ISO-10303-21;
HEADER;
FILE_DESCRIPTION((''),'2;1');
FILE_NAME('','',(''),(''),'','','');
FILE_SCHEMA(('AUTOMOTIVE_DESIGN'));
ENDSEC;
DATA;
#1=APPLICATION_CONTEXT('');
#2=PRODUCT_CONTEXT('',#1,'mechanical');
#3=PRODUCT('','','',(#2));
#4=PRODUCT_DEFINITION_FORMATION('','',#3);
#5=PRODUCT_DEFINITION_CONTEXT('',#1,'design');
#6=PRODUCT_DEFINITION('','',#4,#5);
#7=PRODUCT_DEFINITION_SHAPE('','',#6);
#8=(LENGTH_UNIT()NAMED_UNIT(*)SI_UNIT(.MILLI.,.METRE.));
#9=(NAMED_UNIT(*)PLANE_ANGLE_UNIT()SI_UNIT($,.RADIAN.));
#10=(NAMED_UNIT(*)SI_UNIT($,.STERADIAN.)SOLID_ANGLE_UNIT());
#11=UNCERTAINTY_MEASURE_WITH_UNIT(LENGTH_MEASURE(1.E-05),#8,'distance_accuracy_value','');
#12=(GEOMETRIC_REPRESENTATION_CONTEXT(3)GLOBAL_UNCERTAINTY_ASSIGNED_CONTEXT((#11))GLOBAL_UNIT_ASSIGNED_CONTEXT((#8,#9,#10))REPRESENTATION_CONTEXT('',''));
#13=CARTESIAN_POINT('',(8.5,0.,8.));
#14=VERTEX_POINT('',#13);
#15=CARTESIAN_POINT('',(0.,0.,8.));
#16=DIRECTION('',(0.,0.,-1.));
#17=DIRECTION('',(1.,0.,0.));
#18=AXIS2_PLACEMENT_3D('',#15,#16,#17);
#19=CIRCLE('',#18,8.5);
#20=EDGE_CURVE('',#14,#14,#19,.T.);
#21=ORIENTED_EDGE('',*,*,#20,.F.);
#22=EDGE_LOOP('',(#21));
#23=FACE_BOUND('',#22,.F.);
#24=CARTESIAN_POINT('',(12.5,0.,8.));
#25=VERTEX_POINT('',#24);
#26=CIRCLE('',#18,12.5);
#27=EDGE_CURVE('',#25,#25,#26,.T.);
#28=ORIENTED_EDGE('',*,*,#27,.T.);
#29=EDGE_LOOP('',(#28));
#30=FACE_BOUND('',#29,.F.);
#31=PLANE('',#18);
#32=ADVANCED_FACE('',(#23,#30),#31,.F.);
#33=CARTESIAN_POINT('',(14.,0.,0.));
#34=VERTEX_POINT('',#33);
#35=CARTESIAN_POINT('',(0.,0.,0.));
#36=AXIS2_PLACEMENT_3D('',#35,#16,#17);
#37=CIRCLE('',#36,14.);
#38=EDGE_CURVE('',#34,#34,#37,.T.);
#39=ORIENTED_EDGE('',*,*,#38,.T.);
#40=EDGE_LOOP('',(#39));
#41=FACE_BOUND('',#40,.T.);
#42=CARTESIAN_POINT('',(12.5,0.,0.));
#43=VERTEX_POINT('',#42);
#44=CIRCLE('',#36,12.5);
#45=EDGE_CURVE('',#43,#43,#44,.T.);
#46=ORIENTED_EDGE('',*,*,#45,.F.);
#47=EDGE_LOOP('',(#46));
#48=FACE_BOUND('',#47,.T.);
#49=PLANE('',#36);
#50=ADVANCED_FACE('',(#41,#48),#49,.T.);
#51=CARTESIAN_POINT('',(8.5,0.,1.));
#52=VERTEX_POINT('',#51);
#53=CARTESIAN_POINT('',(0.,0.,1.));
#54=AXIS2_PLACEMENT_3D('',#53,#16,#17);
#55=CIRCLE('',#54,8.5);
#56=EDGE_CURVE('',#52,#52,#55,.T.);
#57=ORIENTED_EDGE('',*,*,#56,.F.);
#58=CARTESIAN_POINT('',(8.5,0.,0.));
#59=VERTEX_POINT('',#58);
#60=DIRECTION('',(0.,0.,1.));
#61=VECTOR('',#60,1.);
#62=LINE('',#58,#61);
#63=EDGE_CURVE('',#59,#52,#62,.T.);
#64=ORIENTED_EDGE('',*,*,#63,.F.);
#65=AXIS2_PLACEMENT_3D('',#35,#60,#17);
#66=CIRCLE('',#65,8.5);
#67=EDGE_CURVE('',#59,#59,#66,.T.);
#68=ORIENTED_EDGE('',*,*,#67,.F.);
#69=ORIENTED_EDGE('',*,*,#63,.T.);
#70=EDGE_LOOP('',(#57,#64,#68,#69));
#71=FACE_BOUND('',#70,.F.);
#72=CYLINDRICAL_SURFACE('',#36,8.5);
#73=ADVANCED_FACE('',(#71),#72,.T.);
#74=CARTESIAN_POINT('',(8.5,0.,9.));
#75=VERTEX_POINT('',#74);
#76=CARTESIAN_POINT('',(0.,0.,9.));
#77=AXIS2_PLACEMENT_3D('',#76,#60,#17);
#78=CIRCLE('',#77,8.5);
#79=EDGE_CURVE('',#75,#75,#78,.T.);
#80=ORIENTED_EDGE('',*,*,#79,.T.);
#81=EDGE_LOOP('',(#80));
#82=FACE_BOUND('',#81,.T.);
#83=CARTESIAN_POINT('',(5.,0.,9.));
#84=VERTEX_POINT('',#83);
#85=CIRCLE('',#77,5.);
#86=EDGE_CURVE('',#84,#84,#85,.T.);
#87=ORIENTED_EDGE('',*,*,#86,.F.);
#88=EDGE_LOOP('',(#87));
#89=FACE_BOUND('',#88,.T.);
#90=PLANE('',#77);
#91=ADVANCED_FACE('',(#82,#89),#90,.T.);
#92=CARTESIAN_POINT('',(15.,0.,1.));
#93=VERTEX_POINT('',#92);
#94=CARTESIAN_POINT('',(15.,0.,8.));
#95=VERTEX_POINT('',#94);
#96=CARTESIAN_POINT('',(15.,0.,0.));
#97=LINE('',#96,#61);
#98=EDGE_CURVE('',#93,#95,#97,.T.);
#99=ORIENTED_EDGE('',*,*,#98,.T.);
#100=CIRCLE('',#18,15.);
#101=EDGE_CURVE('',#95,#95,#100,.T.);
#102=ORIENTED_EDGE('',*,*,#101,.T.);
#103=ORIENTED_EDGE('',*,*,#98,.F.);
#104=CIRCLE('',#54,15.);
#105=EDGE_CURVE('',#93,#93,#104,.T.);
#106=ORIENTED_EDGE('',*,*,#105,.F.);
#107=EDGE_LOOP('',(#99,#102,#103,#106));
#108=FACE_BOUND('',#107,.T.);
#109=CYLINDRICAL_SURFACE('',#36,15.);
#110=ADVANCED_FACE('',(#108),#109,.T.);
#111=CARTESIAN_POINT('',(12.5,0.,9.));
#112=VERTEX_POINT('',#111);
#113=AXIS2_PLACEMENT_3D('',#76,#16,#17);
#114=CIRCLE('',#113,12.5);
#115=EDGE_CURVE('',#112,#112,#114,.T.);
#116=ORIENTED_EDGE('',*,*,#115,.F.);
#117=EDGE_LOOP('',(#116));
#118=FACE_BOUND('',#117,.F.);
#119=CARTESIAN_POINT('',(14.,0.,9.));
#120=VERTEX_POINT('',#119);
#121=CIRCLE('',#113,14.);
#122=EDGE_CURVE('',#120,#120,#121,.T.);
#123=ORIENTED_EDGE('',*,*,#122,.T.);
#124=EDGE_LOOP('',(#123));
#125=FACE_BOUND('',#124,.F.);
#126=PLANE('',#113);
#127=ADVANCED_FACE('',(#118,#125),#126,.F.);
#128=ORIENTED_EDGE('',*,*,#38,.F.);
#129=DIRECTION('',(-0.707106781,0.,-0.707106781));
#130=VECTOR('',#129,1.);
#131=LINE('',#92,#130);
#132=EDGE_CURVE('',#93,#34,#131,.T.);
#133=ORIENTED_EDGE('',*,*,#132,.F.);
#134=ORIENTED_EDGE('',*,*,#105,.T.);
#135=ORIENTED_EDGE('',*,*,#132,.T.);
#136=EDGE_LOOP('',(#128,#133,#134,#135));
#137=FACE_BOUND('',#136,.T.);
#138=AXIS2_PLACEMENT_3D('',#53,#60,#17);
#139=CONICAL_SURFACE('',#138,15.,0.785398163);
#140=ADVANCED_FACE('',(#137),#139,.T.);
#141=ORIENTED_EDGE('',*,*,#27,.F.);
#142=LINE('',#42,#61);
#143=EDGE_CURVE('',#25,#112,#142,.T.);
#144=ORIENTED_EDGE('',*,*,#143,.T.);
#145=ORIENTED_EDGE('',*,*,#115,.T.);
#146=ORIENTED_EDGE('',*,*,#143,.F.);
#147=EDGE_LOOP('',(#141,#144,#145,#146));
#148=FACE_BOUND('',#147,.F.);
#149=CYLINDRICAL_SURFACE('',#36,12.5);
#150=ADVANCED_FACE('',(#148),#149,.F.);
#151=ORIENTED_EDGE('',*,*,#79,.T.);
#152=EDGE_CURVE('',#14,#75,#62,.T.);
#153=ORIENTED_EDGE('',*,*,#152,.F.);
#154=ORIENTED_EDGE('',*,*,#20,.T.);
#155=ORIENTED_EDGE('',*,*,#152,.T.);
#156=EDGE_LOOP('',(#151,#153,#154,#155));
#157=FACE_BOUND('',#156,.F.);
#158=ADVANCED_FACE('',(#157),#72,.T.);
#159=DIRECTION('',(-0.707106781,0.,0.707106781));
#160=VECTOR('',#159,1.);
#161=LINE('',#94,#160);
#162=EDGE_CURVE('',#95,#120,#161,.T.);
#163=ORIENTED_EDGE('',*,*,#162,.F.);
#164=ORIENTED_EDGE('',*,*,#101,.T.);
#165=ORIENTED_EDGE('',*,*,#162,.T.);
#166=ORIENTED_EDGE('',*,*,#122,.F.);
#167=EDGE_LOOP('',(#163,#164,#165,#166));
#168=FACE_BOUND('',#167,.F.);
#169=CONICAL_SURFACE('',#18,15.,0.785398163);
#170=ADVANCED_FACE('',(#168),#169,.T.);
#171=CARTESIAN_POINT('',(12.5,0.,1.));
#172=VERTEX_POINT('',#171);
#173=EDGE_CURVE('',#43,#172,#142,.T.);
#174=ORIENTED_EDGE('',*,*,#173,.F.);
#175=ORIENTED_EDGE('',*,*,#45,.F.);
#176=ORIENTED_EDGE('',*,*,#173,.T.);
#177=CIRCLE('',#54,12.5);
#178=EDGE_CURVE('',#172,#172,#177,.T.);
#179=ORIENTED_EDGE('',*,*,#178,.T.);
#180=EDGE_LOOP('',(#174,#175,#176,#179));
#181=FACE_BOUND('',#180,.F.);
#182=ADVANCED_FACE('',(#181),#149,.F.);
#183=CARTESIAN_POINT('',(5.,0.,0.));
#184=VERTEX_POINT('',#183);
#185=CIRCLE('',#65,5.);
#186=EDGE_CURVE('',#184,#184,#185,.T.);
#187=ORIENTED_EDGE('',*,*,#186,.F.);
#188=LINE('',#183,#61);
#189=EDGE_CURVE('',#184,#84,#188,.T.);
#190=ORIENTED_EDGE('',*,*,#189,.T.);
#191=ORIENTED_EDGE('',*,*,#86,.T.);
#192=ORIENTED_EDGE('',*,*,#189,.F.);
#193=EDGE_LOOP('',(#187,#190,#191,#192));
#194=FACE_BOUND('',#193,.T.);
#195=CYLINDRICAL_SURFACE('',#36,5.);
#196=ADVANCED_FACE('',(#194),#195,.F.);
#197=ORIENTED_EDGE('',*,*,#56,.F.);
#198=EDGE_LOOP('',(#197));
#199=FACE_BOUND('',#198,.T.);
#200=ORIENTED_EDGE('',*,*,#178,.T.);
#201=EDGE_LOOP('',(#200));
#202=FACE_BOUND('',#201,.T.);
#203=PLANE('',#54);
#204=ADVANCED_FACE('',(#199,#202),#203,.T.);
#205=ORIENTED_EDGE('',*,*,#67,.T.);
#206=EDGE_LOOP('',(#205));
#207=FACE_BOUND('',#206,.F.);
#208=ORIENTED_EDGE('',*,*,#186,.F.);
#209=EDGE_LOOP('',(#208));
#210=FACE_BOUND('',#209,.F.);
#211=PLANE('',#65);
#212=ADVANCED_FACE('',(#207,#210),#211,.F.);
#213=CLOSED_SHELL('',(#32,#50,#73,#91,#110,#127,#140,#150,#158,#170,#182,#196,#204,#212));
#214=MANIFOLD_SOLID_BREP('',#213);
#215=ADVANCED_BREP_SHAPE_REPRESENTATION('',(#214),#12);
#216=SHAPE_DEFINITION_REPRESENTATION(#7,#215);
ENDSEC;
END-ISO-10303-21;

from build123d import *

# Parameters (mm, degrees)
SKETCH_R      = 8.5
SKETCH_R_2    = 5
PAD_DEPTH     = 9
SKETCH001_R   = 12.5
SKETCH001_R_2 = 8.5
PAD001_DEPTH  = 7
SKETCH002_R   = 15
SKETCH002_R_2 = 12.5
PAD002_DEPTH  = 9
CHAMFER_SIZE  = 1


with BuildPart() as part:
    # Sketch → Pad (new body)
    with BuildSketch(Plane.XY):
        Circle(SKETCH_R)
        Circle(SKETCH_R_2, mode=Mode.SUBTRACT)
    extrude(amount=PAD_DEPTH)

    # Sketch001 (on Face3 of Pad) → Pad001 (join)
    with BuildSketch(Plane(origin=(0, 0, 1), x_dir=(1, 0, 0), z_dir=(0, 0, -1))):
        Circle(SKETCH001_R)
        Circle(SKETCH001_R_2, mode=Mode.SUBTRACT)
    extrude(amount=-PAD001_DEPTH)

    # Sketch002 (on Face2 of Pad001) → Pad002 (join)
    with BuildSketch(Plane(origin=(0, 0, 0), x_dir=(1, 0, 0), z_dir=(0, 0, -1))):
        Circle(SKETCH002_R)
        Circle(SKETCH002_R_2, mode=Mode.SUBTRACT)
    extrude(amount=-PAD002_DEPTH)

    # Chamfer
    chamfer_edges = [part.edges().sort_by_distance(p)[0] for p in [
        (-15, 0, 9),
        (-15, 0, 0),
    ]]
    chamfer(chamfer_edges, length=CHAMFER_SIZE)


solid = part.part
